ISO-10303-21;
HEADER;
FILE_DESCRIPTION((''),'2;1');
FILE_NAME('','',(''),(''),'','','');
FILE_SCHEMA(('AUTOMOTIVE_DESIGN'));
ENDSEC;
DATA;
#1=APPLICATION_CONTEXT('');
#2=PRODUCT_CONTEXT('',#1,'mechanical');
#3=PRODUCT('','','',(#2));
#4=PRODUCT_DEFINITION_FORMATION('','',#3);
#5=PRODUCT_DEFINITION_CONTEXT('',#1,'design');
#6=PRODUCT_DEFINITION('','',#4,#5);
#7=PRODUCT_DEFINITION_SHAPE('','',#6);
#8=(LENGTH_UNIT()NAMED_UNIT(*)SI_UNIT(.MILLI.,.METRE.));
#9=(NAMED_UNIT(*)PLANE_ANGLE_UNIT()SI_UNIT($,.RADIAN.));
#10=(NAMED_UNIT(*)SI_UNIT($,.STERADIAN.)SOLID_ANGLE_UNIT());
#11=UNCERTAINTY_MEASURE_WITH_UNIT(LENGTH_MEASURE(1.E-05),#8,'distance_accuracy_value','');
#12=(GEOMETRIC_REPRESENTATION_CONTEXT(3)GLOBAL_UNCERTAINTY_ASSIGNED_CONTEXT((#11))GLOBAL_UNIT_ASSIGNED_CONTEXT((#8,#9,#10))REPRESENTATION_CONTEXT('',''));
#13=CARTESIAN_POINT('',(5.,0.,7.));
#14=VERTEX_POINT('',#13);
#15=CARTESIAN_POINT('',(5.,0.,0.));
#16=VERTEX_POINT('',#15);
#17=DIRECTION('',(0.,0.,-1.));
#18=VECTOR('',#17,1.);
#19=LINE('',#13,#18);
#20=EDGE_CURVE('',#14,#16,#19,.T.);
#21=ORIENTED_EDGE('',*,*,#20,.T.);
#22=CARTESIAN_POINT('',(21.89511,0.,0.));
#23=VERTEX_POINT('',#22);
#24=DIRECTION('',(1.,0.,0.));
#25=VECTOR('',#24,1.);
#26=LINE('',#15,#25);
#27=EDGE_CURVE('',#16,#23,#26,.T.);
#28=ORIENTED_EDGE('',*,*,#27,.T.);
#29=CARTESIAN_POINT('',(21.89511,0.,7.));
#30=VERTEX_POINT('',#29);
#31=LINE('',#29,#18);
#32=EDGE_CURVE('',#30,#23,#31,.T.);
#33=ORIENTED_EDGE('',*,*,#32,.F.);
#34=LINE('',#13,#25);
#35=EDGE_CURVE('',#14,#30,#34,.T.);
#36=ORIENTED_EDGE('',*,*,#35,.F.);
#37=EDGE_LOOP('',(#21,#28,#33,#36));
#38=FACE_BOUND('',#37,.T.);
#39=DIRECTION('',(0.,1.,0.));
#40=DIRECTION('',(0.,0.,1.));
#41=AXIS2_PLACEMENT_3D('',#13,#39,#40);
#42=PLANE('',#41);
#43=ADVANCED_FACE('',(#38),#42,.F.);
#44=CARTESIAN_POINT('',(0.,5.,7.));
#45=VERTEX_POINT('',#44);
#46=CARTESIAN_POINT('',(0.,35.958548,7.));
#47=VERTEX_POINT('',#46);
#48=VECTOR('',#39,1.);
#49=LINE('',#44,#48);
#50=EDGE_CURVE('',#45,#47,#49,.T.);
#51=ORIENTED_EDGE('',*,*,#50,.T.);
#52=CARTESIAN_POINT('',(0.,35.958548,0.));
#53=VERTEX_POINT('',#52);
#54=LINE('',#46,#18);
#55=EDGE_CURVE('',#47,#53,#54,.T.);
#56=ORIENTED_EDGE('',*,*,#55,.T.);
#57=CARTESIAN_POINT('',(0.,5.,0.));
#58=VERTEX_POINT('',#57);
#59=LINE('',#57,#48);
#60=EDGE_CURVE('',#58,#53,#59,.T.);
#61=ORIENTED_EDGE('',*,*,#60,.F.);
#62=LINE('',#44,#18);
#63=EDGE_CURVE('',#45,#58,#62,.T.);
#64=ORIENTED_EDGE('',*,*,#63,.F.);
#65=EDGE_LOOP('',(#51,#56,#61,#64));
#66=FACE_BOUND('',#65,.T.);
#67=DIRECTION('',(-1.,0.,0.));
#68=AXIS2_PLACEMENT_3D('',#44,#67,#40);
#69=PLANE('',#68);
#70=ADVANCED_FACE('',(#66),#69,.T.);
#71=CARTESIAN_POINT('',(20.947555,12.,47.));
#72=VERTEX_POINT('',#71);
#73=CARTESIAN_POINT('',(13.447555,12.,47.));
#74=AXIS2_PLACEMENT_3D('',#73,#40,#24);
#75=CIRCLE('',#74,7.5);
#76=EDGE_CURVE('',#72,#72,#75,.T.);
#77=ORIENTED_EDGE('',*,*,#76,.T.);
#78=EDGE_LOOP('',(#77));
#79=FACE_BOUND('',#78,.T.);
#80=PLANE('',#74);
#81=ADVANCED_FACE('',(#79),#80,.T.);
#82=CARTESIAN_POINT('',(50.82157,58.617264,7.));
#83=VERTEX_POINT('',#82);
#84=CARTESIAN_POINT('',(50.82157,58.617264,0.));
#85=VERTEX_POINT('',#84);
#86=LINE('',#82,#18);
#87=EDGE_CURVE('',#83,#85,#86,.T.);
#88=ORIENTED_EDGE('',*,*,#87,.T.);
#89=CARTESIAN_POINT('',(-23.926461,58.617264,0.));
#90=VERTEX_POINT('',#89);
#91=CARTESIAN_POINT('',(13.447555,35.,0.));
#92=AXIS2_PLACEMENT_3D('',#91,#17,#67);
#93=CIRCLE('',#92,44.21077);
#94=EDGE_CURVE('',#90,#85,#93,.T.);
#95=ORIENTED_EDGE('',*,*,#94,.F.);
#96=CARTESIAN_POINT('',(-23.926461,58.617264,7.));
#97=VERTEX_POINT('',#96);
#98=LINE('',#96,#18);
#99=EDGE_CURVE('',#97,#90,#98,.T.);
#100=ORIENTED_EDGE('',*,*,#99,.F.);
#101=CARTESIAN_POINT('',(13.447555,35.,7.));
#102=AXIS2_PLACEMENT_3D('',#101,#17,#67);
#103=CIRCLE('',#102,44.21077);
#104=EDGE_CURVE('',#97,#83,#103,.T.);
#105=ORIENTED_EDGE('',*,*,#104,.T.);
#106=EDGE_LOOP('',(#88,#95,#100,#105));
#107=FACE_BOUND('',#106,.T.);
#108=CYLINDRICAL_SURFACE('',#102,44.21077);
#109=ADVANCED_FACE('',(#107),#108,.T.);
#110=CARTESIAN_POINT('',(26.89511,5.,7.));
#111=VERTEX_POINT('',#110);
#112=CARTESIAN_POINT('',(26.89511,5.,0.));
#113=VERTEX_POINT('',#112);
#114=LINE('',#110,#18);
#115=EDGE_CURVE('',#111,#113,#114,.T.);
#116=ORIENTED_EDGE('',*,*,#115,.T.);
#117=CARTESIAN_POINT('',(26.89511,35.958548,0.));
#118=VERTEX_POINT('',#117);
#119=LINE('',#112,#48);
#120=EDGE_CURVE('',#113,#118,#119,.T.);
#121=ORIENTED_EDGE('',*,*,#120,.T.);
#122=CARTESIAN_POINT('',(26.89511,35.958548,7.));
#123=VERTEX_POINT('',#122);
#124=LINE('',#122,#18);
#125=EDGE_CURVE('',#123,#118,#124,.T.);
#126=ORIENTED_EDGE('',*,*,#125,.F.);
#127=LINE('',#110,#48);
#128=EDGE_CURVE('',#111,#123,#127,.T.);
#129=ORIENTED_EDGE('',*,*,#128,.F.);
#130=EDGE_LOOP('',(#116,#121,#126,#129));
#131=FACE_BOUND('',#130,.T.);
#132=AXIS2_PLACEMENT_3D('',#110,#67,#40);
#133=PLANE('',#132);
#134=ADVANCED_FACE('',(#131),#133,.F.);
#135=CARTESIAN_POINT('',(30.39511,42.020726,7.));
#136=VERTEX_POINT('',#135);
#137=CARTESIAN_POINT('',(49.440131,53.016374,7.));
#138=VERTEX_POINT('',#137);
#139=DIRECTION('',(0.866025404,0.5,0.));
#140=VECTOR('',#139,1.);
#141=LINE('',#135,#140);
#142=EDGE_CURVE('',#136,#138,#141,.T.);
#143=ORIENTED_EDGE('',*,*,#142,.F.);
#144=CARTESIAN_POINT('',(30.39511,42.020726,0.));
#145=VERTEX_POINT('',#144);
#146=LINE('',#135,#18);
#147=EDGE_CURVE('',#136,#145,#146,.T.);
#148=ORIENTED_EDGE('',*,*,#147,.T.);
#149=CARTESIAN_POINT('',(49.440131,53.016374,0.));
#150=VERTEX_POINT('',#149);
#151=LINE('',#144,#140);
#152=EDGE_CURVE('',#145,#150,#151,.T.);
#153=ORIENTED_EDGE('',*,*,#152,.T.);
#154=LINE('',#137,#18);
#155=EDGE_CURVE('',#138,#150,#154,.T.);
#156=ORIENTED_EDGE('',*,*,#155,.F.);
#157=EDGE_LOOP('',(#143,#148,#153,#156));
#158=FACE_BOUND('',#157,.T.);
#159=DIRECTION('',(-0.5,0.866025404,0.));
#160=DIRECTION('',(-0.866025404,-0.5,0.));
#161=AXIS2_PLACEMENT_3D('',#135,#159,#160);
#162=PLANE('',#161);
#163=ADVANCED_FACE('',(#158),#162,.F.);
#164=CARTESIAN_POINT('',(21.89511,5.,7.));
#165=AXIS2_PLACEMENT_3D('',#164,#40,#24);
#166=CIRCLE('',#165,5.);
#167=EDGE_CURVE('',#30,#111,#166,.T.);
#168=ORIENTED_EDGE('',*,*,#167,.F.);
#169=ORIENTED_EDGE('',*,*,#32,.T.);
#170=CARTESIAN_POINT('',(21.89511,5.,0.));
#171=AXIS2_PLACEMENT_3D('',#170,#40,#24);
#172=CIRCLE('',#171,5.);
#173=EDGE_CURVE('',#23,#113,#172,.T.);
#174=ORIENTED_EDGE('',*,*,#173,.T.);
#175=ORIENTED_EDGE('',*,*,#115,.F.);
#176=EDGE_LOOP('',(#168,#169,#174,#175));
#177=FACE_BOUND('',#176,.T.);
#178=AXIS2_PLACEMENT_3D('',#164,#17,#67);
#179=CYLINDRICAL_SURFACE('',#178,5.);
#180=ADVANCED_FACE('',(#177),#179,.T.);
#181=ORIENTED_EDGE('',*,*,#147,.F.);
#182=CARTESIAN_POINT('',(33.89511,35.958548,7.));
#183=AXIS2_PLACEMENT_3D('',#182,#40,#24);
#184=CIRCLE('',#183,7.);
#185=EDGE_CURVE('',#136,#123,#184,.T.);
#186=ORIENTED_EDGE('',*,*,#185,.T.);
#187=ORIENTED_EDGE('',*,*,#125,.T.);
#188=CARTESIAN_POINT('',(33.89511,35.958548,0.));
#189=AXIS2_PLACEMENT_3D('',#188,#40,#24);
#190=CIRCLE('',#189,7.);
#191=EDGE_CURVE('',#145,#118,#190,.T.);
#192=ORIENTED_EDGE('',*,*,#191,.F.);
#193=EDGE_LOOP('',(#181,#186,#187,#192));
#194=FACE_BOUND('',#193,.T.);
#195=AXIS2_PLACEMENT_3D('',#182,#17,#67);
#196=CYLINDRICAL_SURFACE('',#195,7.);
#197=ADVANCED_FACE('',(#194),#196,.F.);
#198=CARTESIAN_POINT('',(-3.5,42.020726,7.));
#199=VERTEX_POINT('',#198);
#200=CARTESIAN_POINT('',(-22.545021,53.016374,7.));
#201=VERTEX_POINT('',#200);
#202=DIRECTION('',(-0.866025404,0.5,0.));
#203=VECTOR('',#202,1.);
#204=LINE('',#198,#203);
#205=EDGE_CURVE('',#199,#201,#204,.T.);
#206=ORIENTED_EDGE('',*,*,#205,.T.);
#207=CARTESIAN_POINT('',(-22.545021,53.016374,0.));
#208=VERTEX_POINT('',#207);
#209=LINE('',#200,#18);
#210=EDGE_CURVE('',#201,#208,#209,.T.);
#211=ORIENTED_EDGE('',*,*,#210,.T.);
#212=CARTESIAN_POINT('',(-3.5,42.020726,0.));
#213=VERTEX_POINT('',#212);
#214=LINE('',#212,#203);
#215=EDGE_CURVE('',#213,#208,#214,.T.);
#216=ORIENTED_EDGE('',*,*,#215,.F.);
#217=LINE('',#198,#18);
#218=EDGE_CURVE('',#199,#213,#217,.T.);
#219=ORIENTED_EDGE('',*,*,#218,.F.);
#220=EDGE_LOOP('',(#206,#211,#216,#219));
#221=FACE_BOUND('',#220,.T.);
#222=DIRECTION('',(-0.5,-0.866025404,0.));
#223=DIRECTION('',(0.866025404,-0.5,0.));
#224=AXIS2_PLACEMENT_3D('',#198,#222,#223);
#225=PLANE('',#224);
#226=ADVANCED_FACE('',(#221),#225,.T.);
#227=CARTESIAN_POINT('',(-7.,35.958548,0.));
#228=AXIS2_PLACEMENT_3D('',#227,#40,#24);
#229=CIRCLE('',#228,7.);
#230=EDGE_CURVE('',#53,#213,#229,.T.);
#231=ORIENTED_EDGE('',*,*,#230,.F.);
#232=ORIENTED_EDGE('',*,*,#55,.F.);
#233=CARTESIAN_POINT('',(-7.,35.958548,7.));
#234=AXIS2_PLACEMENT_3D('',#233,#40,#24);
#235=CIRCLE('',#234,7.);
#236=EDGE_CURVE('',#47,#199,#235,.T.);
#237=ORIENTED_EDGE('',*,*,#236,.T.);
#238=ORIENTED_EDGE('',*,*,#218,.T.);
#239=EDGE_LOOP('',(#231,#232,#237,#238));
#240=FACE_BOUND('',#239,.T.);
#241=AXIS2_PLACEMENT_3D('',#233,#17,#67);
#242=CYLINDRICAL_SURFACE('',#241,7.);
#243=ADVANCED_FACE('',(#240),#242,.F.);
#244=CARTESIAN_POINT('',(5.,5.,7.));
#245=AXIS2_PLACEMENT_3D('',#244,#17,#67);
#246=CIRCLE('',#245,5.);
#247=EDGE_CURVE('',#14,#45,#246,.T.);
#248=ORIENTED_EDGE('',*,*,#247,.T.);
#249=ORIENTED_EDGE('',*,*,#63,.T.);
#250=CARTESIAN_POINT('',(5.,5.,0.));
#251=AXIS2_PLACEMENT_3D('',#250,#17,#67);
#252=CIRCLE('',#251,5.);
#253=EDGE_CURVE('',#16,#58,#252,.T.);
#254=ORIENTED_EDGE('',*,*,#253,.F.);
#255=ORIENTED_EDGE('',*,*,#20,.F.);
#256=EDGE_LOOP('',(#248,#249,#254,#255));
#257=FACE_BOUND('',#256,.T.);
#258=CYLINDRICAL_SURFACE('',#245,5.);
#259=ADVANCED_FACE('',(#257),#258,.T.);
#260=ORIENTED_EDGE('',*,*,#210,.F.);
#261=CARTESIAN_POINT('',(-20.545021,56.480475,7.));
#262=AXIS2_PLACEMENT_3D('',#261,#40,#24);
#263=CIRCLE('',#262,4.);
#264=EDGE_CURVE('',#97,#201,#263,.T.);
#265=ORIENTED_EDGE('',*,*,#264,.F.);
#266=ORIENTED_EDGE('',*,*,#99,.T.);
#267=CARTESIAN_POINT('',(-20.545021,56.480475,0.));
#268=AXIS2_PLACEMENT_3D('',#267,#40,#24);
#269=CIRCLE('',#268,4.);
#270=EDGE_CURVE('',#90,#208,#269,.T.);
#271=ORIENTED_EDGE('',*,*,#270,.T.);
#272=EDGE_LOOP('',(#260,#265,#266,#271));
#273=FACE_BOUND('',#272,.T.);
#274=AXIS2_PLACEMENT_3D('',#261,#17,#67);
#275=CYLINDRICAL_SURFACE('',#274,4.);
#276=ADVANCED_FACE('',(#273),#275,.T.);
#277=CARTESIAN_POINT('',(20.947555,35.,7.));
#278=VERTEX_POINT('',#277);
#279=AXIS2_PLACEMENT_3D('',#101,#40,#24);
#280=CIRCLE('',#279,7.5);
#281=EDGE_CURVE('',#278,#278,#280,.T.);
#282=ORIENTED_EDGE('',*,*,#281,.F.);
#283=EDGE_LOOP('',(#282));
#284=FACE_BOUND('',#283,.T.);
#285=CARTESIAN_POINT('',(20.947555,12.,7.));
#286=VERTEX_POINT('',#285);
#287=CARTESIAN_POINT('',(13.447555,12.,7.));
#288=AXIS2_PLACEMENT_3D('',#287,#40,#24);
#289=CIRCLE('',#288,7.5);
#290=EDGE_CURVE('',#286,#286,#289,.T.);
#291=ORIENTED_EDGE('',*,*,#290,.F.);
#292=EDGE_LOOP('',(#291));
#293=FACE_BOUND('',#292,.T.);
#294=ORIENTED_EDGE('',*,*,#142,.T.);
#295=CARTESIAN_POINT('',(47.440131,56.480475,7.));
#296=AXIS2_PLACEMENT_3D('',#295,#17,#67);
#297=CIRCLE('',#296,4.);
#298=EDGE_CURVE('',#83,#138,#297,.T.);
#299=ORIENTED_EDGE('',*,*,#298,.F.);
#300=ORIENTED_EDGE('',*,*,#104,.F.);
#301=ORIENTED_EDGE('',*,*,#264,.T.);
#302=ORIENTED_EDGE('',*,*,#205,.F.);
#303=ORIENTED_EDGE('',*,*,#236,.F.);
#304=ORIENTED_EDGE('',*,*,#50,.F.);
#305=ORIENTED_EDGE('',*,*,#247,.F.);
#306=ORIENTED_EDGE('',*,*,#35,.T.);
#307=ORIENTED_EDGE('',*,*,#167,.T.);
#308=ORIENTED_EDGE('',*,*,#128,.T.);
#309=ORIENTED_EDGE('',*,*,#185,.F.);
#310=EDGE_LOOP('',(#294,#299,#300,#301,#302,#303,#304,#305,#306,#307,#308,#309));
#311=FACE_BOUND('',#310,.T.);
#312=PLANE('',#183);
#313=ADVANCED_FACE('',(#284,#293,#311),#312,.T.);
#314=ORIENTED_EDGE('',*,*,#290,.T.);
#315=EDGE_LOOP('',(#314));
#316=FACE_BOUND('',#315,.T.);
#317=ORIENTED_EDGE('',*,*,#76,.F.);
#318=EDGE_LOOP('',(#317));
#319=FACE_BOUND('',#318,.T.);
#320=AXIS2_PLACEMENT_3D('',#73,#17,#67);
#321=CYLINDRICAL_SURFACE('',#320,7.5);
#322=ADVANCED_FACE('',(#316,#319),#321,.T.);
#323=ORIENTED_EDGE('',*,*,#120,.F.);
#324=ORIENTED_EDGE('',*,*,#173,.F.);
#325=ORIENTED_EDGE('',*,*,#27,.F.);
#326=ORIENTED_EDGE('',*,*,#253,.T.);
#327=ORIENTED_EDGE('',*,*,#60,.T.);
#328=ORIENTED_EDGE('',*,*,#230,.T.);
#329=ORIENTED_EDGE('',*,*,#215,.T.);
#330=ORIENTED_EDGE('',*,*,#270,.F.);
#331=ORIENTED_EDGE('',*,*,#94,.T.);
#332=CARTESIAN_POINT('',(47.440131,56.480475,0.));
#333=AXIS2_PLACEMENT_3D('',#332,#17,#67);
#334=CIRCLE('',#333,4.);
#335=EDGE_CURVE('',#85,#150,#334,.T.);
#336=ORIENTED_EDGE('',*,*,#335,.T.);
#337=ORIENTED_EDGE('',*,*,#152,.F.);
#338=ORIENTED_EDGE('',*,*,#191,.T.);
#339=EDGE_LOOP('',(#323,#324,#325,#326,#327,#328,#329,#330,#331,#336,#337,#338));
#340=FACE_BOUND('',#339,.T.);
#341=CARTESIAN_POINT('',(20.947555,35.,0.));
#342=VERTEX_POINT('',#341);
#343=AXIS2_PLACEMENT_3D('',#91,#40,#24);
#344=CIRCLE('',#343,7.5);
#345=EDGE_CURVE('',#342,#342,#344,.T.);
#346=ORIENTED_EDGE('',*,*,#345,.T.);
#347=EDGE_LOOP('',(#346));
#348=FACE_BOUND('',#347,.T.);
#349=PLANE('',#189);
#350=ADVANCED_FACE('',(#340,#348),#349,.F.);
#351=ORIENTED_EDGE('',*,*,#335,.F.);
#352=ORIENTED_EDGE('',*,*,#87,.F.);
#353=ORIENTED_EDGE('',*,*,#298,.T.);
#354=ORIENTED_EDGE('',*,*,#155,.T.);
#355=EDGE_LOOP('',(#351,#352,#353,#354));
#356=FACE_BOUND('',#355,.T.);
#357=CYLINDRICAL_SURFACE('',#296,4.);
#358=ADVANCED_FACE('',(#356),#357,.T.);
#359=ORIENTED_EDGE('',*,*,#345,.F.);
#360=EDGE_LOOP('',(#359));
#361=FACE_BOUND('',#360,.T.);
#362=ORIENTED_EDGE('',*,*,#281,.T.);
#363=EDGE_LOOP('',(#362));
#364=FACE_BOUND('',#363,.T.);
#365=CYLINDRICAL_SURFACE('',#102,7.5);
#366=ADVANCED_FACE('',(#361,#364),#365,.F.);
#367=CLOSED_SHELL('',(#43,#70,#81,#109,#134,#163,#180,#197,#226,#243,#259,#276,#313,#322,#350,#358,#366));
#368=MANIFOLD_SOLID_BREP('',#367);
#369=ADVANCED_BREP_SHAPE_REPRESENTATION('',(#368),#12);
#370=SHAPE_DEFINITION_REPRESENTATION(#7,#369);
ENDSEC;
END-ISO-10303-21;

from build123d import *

# Parameters (mm, degrees)
SKETCH2_R           = 7.5
BOSS_EXTRUDE5_DEPTH = 7
SKETCH3_R           = 7.5
BOSS_EXTRUDE6_DEPTH = 40


with BuildPart() as part:
    # Sketch2 → Boss-Extrude5 (new body)
    with BuildSketch(Plane.XY):
        with BuildLine():
            Line((5, 0), (21.89510984, 0))
            ThreePointArc((21.89510984, 0), (25.430643746, 1.464466094), (26.89510984, 5))
            Line((26.89510984, 5), (26.89510984, 35.958548116))
            ThreePointArc((26.89510984, 35.958548116), (27.832932013, 39.458548116), (30.39510984, 42.020725942))
            Line((30.39510984, 42.020725942), (49.440130583, 53.016373795))
            ThreePointArc((49.440130583, 53.016373795), (51.323745621, 55.522595335), (50.821570497, 58.61726368))
            ThreePointArc((50.821570497, 58.61726368), (13.44755492, 79.210770001), (-23.926460657, 58.61726368))
            ThreePointArc((-23.926460657, 58.61726368), (-24.428635781, 55.522595335), (-22.545020743, 53.016373795))
            Line((-22.545020743, 53.016373795), (-3.5, 42.020725942))
            ThreePointArc((-3.5, 42.020725942), (-0.937822174, 39.458548116), (0, 35.958548116))
            Line((0, 35.958548116), (0, 5))
            ThreePointArc((0, 5), (1.464466094, 1.464466094), (5, 0))
        make_face()
        with Locations((13.44755492, 35)):
            Circle(SKETCH2_R, mode=Mode.SUBTRACT)
    extrude(amount=BOSS_EXTRUDE5_DEPTH)

    # Sketch3 → Boss-Extrude6 (add)
    with BuildSketch(Plane.XY.offset(7)):
        with Locations((13.44755492, 12)):
            Circle(SKETCH3_R)
    extrude(amount=BOSS_EXTRUDE6_DEPTH)


solid = part.part
